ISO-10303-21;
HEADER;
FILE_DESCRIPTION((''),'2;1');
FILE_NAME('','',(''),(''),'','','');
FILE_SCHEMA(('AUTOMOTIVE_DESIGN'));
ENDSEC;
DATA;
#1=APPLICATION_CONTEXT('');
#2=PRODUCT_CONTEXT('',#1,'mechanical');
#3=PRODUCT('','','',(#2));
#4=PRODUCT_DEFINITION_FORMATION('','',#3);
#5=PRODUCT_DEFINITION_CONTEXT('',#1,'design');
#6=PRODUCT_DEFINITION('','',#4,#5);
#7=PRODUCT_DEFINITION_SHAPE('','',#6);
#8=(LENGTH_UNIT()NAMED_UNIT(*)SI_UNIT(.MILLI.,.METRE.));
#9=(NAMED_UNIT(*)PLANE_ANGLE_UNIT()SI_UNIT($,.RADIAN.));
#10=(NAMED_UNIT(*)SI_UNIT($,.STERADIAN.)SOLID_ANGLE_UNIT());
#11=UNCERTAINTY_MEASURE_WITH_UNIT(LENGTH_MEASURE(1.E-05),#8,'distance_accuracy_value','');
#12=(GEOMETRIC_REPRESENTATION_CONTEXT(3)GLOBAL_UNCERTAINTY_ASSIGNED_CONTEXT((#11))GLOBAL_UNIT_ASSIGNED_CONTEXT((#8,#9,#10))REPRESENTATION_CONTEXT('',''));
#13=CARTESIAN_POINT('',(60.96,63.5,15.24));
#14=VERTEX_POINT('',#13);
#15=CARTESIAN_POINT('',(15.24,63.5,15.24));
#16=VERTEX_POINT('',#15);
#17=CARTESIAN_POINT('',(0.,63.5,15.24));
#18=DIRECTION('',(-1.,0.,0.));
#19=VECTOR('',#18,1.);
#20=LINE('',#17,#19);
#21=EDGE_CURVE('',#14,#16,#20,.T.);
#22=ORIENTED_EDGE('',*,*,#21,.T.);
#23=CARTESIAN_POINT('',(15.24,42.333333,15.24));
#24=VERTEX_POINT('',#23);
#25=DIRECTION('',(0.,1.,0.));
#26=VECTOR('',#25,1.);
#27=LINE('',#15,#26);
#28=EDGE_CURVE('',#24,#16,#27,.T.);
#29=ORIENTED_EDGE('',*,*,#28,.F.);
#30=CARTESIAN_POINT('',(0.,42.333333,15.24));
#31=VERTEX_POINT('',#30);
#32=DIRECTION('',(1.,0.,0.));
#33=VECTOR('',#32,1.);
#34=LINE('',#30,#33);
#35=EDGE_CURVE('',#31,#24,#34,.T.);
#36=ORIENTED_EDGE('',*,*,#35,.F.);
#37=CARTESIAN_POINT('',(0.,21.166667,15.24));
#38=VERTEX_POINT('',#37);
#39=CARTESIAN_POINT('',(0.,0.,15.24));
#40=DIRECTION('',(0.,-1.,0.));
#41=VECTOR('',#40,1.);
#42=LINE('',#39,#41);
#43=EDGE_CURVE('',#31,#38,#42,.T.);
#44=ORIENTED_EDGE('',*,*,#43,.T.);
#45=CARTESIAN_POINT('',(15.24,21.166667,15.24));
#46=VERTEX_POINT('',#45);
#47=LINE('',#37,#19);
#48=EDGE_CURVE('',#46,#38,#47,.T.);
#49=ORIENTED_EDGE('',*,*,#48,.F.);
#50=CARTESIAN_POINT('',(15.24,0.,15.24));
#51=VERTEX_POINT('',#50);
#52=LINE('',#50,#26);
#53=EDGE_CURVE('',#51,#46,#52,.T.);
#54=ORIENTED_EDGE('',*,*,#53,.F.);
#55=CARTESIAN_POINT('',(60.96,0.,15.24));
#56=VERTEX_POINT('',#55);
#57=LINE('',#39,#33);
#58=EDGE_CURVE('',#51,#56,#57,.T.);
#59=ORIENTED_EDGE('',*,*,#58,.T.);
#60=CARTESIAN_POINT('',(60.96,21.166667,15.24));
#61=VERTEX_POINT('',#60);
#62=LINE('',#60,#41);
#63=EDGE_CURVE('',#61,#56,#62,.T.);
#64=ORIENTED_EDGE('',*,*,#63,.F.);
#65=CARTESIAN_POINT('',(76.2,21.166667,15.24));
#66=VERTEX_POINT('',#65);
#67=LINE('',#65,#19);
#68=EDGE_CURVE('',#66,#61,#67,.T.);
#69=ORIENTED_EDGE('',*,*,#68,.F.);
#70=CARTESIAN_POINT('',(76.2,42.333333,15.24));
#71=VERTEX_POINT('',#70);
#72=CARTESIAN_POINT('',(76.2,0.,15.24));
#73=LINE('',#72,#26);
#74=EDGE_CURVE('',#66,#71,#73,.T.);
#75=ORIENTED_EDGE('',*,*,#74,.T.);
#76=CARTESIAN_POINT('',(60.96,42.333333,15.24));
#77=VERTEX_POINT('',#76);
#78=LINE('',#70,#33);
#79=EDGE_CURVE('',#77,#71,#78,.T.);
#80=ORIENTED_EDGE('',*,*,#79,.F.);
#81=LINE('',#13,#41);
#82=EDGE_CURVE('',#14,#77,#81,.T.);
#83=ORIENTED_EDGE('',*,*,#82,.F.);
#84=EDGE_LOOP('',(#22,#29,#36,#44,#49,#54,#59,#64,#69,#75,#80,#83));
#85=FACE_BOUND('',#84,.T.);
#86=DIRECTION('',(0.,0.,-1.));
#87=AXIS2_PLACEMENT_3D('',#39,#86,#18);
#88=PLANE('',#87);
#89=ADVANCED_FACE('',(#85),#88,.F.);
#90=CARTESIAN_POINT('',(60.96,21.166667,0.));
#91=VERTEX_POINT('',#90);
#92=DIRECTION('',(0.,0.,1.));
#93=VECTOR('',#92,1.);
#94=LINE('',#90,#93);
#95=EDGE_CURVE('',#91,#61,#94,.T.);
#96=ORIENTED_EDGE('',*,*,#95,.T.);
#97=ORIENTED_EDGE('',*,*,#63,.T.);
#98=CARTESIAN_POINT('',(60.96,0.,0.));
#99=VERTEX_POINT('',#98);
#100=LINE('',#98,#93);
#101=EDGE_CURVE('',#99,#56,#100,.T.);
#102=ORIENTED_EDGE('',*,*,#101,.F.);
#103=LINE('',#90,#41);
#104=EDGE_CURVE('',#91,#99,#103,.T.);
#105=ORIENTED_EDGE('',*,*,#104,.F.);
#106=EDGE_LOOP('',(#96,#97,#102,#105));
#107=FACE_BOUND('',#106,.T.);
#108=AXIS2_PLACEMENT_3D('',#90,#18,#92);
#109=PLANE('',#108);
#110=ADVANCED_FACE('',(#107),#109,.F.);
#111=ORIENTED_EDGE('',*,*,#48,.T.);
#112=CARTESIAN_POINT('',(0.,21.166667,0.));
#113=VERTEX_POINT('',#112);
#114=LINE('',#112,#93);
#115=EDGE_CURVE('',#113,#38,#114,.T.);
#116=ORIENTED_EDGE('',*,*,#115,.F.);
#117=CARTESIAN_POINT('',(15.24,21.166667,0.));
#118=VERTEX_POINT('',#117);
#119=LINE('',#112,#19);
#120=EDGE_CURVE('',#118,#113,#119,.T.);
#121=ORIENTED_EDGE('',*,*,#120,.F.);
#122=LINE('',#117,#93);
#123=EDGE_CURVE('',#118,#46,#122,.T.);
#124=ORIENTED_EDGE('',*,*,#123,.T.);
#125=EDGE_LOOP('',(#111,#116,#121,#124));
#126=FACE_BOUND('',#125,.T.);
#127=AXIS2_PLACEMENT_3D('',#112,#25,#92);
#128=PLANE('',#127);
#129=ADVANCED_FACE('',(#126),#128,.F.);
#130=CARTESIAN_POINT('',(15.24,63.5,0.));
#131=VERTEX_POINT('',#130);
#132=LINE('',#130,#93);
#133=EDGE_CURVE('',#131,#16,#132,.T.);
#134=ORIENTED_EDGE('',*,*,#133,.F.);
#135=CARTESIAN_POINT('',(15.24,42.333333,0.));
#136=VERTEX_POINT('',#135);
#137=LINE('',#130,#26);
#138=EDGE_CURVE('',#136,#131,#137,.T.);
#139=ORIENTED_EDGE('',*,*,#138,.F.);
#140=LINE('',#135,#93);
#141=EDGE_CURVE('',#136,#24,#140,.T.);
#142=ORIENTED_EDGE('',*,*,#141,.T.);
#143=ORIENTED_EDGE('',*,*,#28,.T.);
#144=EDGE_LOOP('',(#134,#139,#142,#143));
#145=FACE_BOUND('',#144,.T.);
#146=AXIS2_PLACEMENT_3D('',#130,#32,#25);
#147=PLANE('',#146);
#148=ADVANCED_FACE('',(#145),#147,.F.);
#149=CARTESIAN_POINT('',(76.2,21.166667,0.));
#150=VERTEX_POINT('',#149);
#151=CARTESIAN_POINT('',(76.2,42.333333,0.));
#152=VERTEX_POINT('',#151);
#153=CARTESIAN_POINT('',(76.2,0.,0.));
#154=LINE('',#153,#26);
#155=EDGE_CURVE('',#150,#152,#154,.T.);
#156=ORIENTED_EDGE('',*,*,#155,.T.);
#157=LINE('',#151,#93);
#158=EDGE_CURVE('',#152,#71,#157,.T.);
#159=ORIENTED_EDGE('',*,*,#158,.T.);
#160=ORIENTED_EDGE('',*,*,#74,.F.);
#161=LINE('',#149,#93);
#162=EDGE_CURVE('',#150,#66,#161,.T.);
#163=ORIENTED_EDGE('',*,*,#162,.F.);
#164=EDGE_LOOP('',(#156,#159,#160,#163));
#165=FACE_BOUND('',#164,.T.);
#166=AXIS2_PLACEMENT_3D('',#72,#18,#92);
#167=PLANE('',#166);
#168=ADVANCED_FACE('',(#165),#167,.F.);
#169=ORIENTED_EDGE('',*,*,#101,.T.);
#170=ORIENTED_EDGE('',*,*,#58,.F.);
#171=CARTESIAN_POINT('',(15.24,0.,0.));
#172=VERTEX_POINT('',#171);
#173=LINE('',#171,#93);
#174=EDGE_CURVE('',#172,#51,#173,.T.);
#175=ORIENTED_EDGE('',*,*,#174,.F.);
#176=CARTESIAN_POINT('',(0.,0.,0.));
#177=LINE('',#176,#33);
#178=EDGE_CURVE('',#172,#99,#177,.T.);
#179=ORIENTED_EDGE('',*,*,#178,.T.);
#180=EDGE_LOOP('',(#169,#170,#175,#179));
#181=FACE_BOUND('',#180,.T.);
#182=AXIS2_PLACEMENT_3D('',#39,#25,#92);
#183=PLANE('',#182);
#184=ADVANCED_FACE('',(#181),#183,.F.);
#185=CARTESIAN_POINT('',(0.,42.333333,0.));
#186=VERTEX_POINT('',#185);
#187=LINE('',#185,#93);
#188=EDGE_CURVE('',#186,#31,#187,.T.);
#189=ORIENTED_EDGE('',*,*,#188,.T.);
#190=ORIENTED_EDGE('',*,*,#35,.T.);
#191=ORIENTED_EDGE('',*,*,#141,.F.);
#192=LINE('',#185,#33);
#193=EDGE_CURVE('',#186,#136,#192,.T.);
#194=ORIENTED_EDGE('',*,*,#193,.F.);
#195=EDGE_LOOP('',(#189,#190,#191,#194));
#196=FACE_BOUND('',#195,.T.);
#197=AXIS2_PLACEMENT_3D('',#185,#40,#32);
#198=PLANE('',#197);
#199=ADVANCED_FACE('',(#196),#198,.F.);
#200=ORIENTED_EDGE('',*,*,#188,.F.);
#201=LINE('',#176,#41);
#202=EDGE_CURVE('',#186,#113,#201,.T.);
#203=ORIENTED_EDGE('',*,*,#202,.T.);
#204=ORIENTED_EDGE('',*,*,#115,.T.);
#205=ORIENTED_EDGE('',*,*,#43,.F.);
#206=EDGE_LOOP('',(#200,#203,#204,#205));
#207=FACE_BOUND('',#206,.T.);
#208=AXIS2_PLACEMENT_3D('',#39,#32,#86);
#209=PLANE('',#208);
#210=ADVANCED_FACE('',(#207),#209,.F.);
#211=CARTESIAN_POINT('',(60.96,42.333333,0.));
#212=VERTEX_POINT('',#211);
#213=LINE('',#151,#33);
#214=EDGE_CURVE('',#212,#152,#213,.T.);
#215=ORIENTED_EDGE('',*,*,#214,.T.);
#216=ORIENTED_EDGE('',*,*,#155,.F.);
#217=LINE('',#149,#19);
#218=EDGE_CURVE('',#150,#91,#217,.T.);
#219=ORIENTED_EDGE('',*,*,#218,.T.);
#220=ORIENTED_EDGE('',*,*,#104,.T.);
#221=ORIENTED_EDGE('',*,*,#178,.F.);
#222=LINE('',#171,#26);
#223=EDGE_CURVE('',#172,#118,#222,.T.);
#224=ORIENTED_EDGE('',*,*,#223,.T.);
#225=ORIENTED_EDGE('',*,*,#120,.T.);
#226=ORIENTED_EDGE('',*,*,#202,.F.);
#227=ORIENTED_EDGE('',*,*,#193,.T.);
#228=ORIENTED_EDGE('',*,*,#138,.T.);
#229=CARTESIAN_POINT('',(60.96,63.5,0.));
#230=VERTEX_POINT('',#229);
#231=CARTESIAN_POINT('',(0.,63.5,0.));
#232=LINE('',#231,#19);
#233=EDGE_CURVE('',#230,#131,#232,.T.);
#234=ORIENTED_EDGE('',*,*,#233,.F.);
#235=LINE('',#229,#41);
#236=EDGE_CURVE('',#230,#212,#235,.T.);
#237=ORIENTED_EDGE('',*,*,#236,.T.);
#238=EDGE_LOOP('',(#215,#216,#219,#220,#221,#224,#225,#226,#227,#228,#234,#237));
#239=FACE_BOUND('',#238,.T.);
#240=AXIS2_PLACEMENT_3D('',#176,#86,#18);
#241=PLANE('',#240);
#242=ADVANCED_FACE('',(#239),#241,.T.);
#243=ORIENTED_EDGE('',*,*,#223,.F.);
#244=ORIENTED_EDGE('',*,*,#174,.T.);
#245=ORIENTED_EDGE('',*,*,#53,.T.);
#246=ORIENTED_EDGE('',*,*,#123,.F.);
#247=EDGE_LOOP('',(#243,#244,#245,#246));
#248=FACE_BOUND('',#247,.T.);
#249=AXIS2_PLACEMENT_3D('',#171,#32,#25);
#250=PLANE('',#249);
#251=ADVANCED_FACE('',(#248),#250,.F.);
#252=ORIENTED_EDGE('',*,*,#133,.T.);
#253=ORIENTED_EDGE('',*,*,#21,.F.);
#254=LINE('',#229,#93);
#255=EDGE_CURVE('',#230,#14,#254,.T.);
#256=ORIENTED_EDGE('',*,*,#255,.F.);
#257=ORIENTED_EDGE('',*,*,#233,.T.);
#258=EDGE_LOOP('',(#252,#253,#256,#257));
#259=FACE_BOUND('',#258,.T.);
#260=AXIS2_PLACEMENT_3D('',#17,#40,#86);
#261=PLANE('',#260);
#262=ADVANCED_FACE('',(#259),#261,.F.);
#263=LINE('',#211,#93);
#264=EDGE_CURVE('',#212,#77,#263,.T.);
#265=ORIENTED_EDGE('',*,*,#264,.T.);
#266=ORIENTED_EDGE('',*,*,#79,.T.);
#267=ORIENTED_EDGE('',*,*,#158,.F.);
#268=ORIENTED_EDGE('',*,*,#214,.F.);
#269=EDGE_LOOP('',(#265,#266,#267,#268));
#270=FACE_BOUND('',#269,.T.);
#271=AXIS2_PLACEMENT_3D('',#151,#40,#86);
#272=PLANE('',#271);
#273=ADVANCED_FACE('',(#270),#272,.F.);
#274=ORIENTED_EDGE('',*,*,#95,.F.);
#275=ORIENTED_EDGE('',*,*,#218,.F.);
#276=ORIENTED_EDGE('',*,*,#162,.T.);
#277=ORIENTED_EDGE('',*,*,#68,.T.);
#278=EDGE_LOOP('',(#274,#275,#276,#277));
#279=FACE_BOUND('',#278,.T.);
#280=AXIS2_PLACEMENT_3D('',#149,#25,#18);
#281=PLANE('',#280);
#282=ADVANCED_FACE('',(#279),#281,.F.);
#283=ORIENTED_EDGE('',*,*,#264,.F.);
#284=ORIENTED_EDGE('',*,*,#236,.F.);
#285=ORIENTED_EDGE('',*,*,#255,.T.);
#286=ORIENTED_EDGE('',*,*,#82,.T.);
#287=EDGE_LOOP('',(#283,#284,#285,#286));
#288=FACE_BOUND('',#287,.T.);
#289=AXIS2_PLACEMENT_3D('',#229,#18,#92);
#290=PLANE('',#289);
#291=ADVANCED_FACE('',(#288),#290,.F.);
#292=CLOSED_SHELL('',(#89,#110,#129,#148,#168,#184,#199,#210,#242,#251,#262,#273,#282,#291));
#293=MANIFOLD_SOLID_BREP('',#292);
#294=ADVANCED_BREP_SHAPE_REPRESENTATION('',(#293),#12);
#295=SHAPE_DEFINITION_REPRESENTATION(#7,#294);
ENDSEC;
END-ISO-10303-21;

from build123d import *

# Parameters (mm, degrees)
SKETCH1_W           = 76.2
SKETCH1_H           = 63.5
BOSS_EXTRUDE1_DEPTH = 15.24
SKETCH2_W           = 15.24
SKETCH2_H           = 21.166666667
CUT_EXTRUDE1_DEPTH  = 15.24


with BuildPart() as part:
    # Sketch1 → Boss-Extrude1 (new body)
    with BuildSketch(Plane.XY):
        with Locations((38.1, 31.75)):
            Rectangle(SKETCH1_W, SKETCH1_H)
    extrude(amount=BOSS_EXTRUDE1_DEPTH)

    # Sketch2 → Cut-Extrude1 (cut)
    with BuildSketch(Plane.XY.offset(15.24)):
        with Locations((7.62, 52.916666667)):
            Rectangle(SKETCH2_W, SKETCH2_H)
        with Locations((7.62, 10.583333334)):
            Rectangle(SKETCH2_W, SKETCH2_H)
        with Locations((68.58, 52.916666667)):
            Rectangle(SKETCH2_W, SKETCH2_H)
        with Locations((68.58, 10.583333334)):
            Rectangle(SKETCH2_W, SKETCH2_H)
    extrude(amount=-CUT_EXTRUDE1_DEPTH, mode=Mode.SUBTRACT)


solid = part.part
